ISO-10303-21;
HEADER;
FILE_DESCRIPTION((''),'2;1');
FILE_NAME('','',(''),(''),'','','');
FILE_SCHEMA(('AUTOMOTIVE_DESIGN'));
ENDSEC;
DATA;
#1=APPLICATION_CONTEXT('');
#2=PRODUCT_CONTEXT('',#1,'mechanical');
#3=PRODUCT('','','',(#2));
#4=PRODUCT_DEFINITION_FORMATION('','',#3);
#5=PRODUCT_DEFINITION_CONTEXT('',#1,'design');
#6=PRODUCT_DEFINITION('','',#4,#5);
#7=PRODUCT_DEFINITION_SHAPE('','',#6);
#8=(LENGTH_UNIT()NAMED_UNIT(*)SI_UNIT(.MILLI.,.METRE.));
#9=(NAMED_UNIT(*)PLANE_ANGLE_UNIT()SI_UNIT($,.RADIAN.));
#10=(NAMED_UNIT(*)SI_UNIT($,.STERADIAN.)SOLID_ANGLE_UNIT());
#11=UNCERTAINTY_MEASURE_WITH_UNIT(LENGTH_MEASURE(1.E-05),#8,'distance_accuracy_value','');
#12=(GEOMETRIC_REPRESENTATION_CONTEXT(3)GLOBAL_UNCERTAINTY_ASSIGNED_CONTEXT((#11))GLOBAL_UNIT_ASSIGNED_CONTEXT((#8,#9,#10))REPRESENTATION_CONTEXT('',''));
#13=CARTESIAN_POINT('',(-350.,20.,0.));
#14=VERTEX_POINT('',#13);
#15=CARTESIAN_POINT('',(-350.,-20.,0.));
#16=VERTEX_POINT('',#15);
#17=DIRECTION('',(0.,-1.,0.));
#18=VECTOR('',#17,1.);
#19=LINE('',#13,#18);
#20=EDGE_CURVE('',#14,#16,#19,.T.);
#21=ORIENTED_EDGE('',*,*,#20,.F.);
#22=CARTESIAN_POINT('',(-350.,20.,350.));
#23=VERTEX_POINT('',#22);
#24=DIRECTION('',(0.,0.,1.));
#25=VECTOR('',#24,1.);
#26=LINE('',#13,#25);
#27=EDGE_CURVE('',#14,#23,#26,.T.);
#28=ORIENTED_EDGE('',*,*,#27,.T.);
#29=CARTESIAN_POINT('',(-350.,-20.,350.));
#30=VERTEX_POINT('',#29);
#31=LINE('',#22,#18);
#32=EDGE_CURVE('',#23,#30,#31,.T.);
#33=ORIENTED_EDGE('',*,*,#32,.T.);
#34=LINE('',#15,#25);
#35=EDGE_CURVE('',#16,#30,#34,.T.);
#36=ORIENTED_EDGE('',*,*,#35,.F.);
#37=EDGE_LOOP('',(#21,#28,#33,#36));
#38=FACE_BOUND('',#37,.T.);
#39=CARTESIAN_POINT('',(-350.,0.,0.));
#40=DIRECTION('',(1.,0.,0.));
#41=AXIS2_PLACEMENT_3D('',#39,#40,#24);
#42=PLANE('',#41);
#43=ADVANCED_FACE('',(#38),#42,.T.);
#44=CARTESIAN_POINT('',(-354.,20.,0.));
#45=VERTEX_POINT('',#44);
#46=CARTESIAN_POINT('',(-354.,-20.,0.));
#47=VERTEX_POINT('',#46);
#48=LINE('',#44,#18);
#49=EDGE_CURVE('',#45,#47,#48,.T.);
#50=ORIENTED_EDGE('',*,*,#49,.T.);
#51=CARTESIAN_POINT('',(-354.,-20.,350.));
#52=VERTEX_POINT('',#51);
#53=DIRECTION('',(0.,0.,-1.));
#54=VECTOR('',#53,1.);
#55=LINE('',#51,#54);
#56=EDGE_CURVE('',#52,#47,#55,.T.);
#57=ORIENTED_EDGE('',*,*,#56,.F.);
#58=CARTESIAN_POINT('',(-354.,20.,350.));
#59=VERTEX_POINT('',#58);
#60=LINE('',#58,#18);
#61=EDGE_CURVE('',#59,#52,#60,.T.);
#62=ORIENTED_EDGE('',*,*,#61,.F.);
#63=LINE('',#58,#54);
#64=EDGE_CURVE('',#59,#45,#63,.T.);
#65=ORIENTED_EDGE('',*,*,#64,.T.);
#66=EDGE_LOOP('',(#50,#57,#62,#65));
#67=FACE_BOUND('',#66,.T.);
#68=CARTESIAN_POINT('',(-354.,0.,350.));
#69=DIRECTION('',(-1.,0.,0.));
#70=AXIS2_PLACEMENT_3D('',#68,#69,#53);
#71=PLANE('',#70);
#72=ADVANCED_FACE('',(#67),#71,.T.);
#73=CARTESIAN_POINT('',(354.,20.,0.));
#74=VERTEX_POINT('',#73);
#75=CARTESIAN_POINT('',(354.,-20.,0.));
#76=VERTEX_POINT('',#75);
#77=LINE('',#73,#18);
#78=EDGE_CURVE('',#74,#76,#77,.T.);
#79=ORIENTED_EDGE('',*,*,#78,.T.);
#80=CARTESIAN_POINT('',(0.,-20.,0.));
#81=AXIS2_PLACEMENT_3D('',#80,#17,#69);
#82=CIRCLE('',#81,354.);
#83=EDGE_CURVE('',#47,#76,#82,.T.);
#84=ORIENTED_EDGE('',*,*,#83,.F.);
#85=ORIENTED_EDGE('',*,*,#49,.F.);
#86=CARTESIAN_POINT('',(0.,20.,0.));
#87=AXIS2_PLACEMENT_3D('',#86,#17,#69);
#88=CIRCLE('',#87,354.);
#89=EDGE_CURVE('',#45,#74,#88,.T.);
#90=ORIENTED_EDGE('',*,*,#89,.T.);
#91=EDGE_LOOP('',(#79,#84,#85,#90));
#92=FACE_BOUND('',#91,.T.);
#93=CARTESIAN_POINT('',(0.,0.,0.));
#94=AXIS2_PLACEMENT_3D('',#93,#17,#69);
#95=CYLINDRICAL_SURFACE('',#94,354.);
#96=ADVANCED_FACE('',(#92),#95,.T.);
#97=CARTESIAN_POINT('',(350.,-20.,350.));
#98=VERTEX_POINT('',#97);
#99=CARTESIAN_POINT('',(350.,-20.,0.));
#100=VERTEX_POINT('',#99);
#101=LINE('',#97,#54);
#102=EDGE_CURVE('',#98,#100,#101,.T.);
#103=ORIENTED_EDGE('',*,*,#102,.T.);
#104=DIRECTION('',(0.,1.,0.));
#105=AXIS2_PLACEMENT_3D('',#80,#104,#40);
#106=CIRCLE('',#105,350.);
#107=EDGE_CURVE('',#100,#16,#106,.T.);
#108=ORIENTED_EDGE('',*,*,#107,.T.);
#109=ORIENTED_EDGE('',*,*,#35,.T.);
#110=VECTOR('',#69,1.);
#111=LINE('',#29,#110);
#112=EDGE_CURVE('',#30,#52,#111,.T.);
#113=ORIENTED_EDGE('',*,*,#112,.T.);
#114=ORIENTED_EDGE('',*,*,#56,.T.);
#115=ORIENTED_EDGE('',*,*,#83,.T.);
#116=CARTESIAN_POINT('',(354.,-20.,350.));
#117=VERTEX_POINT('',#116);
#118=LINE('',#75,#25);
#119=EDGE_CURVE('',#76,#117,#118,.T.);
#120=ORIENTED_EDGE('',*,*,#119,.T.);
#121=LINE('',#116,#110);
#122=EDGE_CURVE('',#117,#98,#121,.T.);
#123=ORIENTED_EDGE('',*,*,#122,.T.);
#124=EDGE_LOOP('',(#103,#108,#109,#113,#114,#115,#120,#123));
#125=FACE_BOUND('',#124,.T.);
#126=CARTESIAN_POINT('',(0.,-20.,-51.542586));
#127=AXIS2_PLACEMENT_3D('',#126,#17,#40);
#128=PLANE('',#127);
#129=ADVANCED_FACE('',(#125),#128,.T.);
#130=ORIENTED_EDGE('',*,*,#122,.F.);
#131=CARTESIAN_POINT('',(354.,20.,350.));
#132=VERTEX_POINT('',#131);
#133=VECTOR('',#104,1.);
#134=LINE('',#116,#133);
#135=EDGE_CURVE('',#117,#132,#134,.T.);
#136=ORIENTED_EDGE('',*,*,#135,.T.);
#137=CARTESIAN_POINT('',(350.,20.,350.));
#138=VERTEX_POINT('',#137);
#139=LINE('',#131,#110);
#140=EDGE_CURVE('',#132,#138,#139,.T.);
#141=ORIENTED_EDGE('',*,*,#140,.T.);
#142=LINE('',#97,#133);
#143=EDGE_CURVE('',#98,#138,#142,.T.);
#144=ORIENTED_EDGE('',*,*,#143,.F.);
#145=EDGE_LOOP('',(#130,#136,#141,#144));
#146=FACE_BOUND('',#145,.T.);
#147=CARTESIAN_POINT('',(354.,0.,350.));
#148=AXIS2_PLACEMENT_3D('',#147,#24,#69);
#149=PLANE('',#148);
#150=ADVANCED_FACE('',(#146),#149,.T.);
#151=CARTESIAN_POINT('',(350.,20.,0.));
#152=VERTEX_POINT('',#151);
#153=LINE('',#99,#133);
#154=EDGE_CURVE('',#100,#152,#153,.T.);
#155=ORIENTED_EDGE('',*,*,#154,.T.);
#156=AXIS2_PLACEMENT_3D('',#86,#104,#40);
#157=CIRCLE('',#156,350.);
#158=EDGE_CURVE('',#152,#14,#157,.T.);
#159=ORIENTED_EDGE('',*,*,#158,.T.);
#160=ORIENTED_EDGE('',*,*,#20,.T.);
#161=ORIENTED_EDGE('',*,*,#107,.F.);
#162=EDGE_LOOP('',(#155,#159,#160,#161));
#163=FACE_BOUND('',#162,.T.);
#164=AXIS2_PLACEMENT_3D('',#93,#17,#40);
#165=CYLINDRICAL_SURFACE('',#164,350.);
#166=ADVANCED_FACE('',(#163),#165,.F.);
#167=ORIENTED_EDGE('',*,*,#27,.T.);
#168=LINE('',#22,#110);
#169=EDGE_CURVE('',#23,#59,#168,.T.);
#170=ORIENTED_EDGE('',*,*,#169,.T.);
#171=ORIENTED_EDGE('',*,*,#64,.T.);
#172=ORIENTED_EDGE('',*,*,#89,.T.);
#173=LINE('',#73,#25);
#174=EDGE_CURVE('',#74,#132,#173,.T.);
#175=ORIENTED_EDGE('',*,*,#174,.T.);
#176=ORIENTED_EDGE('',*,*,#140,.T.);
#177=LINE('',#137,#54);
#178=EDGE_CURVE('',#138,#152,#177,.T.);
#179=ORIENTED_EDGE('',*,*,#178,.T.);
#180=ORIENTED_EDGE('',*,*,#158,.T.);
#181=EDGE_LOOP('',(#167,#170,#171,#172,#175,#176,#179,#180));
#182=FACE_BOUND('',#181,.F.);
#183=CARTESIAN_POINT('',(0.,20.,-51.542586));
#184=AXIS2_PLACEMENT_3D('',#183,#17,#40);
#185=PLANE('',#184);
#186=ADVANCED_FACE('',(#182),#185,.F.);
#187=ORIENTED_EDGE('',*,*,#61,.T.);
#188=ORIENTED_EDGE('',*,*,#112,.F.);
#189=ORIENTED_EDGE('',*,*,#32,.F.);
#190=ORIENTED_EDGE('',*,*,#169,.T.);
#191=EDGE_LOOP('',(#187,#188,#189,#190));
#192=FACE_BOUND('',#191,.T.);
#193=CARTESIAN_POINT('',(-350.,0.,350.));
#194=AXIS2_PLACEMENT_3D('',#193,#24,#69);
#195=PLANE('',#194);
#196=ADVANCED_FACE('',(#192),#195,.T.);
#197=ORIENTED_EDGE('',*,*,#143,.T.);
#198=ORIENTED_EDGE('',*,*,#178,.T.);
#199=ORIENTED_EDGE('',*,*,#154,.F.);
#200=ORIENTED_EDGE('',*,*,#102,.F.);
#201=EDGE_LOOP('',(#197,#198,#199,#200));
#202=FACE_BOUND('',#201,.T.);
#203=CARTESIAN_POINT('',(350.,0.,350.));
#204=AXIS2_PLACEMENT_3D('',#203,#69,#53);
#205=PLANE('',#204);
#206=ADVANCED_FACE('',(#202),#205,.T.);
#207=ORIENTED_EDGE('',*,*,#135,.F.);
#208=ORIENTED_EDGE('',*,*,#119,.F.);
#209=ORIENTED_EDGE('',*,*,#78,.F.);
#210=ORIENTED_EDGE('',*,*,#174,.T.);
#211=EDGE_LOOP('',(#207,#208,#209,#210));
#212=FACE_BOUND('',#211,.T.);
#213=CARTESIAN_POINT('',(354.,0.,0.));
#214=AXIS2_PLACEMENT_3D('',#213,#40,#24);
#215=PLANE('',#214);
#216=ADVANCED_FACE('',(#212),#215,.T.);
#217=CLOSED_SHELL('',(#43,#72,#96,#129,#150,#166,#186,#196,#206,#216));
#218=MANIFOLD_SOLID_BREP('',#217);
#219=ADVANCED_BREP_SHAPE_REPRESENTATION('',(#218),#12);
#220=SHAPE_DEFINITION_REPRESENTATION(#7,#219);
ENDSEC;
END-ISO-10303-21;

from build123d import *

# Parameters (mm, degrees)
F1_DEPTH = 20


with BuildPart() as f1:
    # F0 (on Front) → F1 (new body, symmetric)
    with BuildSketch(Plane.XZ):
        with BuildLine():
            ThreePointArc((350, 0), (0, -350), (-350, 0))
            Line((-350, 0), (-350, 350))
            Line((-350, 350), (-354, 350))
            Line((-354, 350), (-354, 0))
            ThreePointArc((-354, 0), (0, -354), (354, 0))
            Line((354, 0), (354, 350))
            Line((354, 350), (350, 350))
            Line((350, 350), (350, 0))
        make_face()
    extrude(amount=F1_DEPTH, both=True)


solid = f1.part
